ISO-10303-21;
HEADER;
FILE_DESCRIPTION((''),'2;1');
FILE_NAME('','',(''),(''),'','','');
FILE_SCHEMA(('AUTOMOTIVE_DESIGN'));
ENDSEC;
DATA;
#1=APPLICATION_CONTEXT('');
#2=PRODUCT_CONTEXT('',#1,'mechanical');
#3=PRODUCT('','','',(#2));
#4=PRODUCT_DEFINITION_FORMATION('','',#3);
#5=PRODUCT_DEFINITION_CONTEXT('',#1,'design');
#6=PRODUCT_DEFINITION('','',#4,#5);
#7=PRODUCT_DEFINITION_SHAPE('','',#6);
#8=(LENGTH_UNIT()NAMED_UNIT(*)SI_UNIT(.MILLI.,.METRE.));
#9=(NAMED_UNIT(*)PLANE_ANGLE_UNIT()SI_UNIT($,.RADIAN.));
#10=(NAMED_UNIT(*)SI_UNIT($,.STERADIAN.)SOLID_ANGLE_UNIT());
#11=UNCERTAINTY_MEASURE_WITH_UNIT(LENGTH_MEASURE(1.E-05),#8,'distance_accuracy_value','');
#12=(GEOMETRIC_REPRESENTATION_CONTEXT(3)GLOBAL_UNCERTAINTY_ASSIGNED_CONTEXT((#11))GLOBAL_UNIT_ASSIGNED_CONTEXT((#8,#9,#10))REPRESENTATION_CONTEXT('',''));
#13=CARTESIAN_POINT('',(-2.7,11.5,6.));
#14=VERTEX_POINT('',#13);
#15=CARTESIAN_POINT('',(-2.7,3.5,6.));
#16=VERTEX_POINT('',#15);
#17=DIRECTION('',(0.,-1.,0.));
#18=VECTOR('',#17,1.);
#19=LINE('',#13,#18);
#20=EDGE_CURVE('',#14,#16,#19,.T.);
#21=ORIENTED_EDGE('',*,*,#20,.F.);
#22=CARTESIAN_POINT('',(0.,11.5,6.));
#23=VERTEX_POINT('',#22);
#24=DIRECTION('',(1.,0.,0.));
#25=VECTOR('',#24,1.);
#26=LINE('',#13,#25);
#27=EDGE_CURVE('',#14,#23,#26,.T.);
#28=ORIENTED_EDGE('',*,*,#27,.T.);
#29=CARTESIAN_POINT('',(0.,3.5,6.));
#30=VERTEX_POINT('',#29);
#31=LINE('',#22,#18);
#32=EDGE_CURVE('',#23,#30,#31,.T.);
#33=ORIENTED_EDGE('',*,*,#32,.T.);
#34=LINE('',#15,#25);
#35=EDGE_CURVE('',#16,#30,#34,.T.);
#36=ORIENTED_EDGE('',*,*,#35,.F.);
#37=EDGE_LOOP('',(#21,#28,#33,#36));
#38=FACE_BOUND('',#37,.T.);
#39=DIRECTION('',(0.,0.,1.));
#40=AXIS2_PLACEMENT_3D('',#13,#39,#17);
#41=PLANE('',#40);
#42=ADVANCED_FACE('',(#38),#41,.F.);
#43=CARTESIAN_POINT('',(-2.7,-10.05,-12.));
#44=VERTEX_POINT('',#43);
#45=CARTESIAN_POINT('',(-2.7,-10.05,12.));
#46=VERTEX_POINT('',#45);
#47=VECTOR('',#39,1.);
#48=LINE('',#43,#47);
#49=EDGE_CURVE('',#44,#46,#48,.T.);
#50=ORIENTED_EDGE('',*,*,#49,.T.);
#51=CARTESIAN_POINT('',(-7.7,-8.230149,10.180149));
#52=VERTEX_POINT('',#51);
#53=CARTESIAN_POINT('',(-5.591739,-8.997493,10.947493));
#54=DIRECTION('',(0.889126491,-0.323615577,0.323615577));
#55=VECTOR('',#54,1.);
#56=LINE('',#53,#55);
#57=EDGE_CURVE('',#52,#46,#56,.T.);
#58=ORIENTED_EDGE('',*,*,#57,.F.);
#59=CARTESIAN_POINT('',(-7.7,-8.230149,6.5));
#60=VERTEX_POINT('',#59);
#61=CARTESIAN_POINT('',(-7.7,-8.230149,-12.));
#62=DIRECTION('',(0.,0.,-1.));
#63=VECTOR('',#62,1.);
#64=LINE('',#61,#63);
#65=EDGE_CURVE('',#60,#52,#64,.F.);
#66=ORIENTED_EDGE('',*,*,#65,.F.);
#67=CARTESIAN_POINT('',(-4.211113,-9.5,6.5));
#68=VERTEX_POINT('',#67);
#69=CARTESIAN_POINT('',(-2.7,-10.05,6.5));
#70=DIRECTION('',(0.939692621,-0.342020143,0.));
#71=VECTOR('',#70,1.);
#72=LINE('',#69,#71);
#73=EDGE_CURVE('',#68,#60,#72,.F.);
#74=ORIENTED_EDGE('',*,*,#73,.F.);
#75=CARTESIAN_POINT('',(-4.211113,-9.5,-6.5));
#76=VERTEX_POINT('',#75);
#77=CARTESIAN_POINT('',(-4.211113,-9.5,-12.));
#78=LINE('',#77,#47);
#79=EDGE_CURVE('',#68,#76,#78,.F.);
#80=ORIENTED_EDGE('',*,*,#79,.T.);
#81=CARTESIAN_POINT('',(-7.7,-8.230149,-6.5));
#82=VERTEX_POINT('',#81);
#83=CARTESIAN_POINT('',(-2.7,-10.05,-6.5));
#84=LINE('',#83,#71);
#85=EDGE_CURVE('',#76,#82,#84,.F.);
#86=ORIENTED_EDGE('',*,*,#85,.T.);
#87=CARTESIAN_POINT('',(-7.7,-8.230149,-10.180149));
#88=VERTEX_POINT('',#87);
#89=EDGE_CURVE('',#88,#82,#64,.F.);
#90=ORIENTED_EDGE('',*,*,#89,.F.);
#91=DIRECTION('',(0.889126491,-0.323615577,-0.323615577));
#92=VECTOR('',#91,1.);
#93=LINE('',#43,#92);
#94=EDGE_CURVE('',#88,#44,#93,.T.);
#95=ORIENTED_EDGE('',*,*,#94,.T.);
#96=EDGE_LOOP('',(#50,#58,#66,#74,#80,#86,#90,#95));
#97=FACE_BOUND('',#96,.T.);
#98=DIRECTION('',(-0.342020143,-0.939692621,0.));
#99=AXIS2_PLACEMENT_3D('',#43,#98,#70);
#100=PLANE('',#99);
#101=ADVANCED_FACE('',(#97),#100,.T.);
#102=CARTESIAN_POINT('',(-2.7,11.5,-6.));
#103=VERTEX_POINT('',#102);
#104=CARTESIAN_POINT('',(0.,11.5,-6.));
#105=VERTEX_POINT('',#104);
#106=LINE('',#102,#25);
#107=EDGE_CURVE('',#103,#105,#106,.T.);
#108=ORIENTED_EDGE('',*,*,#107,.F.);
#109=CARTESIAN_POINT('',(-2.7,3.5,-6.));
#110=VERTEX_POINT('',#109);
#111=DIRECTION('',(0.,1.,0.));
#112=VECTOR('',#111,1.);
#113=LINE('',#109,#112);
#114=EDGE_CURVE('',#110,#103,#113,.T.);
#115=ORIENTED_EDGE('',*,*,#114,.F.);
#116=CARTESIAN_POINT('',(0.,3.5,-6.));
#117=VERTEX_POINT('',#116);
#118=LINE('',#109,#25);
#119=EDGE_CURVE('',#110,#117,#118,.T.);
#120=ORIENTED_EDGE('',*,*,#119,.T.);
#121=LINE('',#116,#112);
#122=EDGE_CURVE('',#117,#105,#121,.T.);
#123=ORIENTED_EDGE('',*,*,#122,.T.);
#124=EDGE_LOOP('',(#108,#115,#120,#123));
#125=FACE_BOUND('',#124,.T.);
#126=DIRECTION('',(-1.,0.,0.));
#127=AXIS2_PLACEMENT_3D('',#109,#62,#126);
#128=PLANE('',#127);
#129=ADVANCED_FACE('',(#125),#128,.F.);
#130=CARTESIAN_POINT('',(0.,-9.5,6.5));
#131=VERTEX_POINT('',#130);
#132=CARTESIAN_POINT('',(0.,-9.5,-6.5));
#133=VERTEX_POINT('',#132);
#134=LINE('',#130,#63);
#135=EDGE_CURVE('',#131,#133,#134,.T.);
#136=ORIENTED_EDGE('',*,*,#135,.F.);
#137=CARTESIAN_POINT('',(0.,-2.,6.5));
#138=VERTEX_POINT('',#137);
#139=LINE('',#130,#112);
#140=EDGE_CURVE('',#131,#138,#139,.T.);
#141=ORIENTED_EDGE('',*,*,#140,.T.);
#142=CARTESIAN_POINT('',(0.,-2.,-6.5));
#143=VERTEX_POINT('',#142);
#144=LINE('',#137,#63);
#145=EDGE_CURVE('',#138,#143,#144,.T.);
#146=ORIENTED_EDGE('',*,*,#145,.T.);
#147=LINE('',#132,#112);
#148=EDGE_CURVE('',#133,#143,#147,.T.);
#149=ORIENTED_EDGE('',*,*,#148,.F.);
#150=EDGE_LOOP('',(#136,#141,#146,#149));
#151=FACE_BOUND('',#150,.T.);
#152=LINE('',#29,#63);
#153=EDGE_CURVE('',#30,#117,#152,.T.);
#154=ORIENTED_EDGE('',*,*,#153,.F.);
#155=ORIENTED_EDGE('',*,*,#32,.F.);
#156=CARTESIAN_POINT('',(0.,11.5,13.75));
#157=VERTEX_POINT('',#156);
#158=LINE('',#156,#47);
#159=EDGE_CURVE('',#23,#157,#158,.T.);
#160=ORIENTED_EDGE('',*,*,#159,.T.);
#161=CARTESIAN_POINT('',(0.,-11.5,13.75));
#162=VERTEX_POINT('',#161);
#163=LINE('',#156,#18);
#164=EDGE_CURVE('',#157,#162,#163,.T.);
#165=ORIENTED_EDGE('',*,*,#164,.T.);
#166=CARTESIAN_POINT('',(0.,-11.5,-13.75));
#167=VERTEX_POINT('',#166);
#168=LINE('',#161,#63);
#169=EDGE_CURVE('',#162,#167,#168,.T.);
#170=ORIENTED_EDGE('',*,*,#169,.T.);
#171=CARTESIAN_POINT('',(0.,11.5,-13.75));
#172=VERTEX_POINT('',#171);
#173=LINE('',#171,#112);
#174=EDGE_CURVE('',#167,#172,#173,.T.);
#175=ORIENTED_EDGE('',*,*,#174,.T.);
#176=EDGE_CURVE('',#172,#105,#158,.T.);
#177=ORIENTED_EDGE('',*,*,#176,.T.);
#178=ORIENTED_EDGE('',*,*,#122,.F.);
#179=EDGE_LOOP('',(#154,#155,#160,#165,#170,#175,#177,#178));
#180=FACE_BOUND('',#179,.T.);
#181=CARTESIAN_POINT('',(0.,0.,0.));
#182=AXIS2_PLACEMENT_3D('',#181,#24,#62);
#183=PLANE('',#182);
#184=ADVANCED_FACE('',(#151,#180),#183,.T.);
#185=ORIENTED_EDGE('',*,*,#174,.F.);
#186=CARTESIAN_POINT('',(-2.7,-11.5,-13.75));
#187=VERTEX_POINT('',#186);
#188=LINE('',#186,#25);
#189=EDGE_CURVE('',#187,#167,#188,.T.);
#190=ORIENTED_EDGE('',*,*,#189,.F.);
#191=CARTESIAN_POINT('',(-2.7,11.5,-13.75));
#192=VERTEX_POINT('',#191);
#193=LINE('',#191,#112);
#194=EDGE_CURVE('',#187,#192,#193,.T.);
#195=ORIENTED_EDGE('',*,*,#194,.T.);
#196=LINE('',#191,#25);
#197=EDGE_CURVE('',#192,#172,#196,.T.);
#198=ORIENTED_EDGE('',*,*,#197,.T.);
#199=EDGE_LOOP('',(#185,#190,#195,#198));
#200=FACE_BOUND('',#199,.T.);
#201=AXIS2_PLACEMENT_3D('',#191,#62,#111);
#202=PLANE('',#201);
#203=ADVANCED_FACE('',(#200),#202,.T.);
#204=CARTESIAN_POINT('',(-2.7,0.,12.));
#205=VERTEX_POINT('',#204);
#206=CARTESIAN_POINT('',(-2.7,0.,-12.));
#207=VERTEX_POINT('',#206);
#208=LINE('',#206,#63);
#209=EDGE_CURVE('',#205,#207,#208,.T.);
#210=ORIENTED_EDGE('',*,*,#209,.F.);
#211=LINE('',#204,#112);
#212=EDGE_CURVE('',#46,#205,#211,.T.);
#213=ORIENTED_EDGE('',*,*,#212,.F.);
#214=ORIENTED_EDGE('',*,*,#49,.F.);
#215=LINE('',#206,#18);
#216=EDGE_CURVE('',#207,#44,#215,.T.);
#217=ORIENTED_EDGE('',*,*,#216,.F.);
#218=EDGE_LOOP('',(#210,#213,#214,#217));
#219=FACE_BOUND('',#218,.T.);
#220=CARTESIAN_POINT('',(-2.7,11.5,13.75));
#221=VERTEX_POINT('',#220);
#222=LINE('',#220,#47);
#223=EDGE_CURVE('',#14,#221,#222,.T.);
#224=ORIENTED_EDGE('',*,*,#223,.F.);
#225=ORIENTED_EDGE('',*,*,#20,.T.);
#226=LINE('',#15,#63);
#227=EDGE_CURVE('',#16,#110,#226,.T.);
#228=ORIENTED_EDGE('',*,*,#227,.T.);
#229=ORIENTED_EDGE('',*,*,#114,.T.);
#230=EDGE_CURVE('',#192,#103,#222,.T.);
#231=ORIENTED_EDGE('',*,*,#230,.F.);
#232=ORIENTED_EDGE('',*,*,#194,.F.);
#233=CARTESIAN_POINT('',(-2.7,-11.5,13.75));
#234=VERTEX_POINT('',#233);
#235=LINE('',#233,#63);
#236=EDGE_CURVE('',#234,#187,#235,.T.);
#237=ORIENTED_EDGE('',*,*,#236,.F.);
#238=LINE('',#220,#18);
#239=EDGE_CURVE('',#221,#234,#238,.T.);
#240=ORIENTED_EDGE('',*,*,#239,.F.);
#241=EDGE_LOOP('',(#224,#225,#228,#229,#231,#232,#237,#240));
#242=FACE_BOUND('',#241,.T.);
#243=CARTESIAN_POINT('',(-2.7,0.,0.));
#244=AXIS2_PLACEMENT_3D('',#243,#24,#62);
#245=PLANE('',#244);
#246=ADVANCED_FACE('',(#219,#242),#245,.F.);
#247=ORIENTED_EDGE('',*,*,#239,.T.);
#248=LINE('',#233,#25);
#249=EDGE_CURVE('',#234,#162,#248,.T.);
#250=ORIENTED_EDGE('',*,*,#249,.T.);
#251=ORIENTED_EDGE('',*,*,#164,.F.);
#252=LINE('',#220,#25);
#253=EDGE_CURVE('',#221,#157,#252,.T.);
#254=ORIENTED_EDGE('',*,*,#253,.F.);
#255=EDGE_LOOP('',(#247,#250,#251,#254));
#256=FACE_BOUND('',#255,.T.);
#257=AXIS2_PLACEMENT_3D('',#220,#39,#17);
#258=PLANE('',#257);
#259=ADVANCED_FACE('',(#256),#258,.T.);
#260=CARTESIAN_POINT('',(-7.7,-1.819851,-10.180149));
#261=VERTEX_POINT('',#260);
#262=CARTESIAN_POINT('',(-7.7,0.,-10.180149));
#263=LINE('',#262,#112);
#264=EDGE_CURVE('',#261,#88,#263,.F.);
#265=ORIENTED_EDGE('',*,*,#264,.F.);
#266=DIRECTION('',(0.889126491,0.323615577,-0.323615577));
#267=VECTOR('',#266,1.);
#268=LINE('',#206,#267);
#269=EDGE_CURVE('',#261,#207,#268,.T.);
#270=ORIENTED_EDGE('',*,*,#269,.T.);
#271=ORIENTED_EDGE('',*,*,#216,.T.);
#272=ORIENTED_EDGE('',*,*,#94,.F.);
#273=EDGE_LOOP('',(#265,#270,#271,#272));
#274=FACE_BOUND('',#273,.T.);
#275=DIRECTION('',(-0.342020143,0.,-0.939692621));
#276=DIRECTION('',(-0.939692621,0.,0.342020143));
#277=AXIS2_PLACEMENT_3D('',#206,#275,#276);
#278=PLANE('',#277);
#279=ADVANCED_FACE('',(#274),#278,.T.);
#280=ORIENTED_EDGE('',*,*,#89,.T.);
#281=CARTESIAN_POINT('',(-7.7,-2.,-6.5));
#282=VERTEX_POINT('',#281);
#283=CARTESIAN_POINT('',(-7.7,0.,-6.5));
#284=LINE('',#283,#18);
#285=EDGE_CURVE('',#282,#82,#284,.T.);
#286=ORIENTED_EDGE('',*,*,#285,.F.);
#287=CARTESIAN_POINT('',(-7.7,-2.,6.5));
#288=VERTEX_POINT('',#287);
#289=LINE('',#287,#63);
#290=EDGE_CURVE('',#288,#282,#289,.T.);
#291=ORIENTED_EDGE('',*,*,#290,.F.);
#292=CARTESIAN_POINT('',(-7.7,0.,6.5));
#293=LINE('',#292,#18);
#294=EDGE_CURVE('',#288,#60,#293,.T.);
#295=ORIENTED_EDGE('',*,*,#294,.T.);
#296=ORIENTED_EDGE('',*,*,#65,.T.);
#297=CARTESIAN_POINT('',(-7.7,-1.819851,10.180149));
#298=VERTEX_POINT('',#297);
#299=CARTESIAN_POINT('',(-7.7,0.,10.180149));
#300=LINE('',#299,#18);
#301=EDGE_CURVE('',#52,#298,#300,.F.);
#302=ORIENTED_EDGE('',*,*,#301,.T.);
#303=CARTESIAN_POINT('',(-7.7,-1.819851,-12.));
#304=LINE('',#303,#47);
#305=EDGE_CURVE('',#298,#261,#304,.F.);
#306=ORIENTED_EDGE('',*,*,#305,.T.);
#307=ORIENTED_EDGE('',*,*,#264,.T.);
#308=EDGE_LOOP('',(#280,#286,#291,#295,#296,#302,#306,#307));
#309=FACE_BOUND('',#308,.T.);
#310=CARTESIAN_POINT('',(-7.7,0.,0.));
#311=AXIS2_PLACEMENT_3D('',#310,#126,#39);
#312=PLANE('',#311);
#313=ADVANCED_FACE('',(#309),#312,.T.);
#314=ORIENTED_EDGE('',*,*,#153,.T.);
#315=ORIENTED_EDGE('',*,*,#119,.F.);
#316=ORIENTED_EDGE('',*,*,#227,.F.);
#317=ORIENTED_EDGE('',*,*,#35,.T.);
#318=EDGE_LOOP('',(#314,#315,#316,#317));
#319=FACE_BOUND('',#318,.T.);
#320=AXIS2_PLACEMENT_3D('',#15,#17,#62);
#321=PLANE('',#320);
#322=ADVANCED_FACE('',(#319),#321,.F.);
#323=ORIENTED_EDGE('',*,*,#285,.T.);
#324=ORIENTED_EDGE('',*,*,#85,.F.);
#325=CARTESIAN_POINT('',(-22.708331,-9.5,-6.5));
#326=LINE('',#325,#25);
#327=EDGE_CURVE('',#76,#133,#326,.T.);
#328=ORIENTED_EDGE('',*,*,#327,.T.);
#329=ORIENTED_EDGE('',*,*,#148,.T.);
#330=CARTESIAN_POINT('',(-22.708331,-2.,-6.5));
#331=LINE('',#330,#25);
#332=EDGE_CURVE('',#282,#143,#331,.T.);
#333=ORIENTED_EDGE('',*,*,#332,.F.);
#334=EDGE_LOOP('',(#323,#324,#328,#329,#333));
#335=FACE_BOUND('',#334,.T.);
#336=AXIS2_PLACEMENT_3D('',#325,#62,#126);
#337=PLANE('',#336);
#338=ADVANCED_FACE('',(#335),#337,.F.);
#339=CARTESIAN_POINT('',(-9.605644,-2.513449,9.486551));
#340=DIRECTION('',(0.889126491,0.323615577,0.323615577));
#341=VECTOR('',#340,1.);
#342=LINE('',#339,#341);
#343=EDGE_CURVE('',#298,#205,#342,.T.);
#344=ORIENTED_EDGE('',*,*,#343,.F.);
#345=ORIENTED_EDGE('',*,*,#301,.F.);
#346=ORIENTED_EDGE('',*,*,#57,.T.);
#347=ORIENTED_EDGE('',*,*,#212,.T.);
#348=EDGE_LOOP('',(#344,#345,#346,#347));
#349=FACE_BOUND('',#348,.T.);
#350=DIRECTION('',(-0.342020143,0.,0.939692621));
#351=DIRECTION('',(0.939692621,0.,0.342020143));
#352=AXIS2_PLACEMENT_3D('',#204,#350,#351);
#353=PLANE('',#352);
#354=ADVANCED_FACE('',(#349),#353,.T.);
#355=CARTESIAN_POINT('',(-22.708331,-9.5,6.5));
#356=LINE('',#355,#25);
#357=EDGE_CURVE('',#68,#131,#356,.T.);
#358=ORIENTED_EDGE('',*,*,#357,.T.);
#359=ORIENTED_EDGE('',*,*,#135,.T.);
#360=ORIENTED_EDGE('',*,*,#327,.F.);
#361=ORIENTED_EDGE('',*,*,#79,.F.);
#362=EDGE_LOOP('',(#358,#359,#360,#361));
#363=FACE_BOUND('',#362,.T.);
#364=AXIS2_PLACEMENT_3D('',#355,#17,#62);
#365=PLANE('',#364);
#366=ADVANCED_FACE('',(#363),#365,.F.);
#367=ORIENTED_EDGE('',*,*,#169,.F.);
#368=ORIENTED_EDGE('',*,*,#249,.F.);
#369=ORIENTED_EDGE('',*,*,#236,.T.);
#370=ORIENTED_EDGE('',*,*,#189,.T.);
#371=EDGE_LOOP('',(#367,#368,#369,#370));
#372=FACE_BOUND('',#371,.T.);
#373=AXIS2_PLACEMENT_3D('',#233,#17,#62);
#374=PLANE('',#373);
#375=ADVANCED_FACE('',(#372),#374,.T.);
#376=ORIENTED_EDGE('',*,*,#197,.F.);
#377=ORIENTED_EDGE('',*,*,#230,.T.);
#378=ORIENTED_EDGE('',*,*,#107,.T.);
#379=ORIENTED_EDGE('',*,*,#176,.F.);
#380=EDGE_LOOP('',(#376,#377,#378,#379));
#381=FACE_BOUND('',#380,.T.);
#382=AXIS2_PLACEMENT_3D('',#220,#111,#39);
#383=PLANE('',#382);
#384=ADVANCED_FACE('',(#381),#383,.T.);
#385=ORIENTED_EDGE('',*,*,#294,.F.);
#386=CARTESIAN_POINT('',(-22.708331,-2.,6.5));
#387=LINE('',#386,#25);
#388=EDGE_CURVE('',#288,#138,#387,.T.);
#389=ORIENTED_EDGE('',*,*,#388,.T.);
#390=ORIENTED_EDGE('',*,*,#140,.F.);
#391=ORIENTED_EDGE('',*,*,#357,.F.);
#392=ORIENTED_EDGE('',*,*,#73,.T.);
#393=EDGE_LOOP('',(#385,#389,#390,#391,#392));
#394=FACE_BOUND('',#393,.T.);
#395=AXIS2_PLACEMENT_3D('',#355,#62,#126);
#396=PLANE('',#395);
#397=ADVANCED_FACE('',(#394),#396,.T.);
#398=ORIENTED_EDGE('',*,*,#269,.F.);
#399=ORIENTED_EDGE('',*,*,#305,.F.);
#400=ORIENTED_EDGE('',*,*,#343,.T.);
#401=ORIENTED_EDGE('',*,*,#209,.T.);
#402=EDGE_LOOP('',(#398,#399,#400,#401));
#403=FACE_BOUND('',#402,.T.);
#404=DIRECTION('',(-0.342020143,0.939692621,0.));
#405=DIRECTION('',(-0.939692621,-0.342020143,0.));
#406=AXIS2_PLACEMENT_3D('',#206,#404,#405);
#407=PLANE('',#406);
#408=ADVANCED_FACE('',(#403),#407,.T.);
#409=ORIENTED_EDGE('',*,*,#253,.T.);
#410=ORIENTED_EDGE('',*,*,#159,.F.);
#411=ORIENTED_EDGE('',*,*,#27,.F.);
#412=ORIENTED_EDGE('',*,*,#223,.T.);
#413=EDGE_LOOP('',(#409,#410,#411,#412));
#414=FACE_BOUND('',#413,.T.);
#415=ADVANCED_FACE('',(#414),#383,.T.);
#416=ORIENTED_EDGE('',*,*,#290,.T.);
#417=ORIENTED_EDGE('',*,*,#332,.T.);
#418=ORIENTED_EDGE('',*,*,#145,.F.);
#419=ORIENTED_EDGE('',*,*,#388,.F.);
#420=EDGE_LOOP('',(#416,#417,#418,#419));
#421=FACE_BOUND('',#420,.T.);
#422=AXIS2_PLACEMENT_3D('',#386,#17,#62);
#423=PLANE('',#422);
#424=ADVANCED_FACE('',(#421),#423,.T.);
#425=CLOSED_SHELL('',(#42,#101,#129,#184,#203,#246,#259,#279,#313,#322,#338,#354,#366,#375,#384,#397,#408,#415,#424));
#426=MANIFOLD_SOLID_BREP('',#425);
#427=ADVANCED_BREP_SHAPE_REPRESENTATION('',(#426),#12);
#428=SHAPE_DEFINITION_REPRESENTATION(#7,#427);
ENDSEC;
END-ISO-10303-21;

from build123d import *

# Parameters (mm, degrees)
SKETCH1_W           = 27.5
SKETCH1_H           = 23
BOSS_EXTRUDE1_DEPTH = 2.7
SKETCH2_W           = 12
SKETCH2_H           = 8
CUT_EXTRUDE1_DEPTH  = 3.7
SKETCH4_W           = 24
SKETCH4_H           = 10.05
BOSS_EXTRUDE4_DEPTH = 5
BOSS_EXTRUDE4_TAPER = 20
SKETCH3_W           = 13
SKETCH3_H           = 7.5
CUT_EXTRUDE3_DEPTH  = 7.7


with BuildPart() as part:
    # Sketch1 → Boss-Extrude1 (new body)
    with BuildSketch(Plane(origin=(0, 0, 0), x_dir=(0, 0, -1), z_dir=(1, 0, 0))):
        Rectangle(SKETCH1_W, SKETCH1_H)
    extrude(amount=-BOSS_EXTRUDE1_DEPTH)

    # Sketch2 → Cut-Extrude1 (cut, through all)
    with BuildSketch(Plane(origin=(0, 0, 0), x_dir=(0, 0, -1), z_dir=(1, 0, 0))):
        with Locations((0, 7.5)):
            Rectangle(SKETCH2_W, SKETCH2_H)
    extrude(amount=-CUT_EXTRUDE1_DEPTH, mode=Mode.SUBTRACT)

    # Sketch4 → Boss-Extrude4 (add)
    with BuildSketch(Plane.ZY.offset(2.7)):
        with Locations((0, -5.025)):
            Rectangle(SKETCH4_W, SKETCH4_H)
    extrude(amount=BOSS_EXTRUDE4_DEPTH, taper=BOSS_EXTRUDE4_TAPER)

    # Sketch3 → Cut-Extrude3 (cut)
    with BuildSketch(Plane(origin=(0, 0, 0), x_dir=(0, 0, -1), z_dir=(1, 0, 0))):
        with Locations((0, -5.75)):
            Rectangle(SKETCH3_W, SKETCH3_H)
    extrude(amount=-CUT_EXTRUDE3_DEPTH, mode=Mode.SUBTRACT)


solid = part.part
